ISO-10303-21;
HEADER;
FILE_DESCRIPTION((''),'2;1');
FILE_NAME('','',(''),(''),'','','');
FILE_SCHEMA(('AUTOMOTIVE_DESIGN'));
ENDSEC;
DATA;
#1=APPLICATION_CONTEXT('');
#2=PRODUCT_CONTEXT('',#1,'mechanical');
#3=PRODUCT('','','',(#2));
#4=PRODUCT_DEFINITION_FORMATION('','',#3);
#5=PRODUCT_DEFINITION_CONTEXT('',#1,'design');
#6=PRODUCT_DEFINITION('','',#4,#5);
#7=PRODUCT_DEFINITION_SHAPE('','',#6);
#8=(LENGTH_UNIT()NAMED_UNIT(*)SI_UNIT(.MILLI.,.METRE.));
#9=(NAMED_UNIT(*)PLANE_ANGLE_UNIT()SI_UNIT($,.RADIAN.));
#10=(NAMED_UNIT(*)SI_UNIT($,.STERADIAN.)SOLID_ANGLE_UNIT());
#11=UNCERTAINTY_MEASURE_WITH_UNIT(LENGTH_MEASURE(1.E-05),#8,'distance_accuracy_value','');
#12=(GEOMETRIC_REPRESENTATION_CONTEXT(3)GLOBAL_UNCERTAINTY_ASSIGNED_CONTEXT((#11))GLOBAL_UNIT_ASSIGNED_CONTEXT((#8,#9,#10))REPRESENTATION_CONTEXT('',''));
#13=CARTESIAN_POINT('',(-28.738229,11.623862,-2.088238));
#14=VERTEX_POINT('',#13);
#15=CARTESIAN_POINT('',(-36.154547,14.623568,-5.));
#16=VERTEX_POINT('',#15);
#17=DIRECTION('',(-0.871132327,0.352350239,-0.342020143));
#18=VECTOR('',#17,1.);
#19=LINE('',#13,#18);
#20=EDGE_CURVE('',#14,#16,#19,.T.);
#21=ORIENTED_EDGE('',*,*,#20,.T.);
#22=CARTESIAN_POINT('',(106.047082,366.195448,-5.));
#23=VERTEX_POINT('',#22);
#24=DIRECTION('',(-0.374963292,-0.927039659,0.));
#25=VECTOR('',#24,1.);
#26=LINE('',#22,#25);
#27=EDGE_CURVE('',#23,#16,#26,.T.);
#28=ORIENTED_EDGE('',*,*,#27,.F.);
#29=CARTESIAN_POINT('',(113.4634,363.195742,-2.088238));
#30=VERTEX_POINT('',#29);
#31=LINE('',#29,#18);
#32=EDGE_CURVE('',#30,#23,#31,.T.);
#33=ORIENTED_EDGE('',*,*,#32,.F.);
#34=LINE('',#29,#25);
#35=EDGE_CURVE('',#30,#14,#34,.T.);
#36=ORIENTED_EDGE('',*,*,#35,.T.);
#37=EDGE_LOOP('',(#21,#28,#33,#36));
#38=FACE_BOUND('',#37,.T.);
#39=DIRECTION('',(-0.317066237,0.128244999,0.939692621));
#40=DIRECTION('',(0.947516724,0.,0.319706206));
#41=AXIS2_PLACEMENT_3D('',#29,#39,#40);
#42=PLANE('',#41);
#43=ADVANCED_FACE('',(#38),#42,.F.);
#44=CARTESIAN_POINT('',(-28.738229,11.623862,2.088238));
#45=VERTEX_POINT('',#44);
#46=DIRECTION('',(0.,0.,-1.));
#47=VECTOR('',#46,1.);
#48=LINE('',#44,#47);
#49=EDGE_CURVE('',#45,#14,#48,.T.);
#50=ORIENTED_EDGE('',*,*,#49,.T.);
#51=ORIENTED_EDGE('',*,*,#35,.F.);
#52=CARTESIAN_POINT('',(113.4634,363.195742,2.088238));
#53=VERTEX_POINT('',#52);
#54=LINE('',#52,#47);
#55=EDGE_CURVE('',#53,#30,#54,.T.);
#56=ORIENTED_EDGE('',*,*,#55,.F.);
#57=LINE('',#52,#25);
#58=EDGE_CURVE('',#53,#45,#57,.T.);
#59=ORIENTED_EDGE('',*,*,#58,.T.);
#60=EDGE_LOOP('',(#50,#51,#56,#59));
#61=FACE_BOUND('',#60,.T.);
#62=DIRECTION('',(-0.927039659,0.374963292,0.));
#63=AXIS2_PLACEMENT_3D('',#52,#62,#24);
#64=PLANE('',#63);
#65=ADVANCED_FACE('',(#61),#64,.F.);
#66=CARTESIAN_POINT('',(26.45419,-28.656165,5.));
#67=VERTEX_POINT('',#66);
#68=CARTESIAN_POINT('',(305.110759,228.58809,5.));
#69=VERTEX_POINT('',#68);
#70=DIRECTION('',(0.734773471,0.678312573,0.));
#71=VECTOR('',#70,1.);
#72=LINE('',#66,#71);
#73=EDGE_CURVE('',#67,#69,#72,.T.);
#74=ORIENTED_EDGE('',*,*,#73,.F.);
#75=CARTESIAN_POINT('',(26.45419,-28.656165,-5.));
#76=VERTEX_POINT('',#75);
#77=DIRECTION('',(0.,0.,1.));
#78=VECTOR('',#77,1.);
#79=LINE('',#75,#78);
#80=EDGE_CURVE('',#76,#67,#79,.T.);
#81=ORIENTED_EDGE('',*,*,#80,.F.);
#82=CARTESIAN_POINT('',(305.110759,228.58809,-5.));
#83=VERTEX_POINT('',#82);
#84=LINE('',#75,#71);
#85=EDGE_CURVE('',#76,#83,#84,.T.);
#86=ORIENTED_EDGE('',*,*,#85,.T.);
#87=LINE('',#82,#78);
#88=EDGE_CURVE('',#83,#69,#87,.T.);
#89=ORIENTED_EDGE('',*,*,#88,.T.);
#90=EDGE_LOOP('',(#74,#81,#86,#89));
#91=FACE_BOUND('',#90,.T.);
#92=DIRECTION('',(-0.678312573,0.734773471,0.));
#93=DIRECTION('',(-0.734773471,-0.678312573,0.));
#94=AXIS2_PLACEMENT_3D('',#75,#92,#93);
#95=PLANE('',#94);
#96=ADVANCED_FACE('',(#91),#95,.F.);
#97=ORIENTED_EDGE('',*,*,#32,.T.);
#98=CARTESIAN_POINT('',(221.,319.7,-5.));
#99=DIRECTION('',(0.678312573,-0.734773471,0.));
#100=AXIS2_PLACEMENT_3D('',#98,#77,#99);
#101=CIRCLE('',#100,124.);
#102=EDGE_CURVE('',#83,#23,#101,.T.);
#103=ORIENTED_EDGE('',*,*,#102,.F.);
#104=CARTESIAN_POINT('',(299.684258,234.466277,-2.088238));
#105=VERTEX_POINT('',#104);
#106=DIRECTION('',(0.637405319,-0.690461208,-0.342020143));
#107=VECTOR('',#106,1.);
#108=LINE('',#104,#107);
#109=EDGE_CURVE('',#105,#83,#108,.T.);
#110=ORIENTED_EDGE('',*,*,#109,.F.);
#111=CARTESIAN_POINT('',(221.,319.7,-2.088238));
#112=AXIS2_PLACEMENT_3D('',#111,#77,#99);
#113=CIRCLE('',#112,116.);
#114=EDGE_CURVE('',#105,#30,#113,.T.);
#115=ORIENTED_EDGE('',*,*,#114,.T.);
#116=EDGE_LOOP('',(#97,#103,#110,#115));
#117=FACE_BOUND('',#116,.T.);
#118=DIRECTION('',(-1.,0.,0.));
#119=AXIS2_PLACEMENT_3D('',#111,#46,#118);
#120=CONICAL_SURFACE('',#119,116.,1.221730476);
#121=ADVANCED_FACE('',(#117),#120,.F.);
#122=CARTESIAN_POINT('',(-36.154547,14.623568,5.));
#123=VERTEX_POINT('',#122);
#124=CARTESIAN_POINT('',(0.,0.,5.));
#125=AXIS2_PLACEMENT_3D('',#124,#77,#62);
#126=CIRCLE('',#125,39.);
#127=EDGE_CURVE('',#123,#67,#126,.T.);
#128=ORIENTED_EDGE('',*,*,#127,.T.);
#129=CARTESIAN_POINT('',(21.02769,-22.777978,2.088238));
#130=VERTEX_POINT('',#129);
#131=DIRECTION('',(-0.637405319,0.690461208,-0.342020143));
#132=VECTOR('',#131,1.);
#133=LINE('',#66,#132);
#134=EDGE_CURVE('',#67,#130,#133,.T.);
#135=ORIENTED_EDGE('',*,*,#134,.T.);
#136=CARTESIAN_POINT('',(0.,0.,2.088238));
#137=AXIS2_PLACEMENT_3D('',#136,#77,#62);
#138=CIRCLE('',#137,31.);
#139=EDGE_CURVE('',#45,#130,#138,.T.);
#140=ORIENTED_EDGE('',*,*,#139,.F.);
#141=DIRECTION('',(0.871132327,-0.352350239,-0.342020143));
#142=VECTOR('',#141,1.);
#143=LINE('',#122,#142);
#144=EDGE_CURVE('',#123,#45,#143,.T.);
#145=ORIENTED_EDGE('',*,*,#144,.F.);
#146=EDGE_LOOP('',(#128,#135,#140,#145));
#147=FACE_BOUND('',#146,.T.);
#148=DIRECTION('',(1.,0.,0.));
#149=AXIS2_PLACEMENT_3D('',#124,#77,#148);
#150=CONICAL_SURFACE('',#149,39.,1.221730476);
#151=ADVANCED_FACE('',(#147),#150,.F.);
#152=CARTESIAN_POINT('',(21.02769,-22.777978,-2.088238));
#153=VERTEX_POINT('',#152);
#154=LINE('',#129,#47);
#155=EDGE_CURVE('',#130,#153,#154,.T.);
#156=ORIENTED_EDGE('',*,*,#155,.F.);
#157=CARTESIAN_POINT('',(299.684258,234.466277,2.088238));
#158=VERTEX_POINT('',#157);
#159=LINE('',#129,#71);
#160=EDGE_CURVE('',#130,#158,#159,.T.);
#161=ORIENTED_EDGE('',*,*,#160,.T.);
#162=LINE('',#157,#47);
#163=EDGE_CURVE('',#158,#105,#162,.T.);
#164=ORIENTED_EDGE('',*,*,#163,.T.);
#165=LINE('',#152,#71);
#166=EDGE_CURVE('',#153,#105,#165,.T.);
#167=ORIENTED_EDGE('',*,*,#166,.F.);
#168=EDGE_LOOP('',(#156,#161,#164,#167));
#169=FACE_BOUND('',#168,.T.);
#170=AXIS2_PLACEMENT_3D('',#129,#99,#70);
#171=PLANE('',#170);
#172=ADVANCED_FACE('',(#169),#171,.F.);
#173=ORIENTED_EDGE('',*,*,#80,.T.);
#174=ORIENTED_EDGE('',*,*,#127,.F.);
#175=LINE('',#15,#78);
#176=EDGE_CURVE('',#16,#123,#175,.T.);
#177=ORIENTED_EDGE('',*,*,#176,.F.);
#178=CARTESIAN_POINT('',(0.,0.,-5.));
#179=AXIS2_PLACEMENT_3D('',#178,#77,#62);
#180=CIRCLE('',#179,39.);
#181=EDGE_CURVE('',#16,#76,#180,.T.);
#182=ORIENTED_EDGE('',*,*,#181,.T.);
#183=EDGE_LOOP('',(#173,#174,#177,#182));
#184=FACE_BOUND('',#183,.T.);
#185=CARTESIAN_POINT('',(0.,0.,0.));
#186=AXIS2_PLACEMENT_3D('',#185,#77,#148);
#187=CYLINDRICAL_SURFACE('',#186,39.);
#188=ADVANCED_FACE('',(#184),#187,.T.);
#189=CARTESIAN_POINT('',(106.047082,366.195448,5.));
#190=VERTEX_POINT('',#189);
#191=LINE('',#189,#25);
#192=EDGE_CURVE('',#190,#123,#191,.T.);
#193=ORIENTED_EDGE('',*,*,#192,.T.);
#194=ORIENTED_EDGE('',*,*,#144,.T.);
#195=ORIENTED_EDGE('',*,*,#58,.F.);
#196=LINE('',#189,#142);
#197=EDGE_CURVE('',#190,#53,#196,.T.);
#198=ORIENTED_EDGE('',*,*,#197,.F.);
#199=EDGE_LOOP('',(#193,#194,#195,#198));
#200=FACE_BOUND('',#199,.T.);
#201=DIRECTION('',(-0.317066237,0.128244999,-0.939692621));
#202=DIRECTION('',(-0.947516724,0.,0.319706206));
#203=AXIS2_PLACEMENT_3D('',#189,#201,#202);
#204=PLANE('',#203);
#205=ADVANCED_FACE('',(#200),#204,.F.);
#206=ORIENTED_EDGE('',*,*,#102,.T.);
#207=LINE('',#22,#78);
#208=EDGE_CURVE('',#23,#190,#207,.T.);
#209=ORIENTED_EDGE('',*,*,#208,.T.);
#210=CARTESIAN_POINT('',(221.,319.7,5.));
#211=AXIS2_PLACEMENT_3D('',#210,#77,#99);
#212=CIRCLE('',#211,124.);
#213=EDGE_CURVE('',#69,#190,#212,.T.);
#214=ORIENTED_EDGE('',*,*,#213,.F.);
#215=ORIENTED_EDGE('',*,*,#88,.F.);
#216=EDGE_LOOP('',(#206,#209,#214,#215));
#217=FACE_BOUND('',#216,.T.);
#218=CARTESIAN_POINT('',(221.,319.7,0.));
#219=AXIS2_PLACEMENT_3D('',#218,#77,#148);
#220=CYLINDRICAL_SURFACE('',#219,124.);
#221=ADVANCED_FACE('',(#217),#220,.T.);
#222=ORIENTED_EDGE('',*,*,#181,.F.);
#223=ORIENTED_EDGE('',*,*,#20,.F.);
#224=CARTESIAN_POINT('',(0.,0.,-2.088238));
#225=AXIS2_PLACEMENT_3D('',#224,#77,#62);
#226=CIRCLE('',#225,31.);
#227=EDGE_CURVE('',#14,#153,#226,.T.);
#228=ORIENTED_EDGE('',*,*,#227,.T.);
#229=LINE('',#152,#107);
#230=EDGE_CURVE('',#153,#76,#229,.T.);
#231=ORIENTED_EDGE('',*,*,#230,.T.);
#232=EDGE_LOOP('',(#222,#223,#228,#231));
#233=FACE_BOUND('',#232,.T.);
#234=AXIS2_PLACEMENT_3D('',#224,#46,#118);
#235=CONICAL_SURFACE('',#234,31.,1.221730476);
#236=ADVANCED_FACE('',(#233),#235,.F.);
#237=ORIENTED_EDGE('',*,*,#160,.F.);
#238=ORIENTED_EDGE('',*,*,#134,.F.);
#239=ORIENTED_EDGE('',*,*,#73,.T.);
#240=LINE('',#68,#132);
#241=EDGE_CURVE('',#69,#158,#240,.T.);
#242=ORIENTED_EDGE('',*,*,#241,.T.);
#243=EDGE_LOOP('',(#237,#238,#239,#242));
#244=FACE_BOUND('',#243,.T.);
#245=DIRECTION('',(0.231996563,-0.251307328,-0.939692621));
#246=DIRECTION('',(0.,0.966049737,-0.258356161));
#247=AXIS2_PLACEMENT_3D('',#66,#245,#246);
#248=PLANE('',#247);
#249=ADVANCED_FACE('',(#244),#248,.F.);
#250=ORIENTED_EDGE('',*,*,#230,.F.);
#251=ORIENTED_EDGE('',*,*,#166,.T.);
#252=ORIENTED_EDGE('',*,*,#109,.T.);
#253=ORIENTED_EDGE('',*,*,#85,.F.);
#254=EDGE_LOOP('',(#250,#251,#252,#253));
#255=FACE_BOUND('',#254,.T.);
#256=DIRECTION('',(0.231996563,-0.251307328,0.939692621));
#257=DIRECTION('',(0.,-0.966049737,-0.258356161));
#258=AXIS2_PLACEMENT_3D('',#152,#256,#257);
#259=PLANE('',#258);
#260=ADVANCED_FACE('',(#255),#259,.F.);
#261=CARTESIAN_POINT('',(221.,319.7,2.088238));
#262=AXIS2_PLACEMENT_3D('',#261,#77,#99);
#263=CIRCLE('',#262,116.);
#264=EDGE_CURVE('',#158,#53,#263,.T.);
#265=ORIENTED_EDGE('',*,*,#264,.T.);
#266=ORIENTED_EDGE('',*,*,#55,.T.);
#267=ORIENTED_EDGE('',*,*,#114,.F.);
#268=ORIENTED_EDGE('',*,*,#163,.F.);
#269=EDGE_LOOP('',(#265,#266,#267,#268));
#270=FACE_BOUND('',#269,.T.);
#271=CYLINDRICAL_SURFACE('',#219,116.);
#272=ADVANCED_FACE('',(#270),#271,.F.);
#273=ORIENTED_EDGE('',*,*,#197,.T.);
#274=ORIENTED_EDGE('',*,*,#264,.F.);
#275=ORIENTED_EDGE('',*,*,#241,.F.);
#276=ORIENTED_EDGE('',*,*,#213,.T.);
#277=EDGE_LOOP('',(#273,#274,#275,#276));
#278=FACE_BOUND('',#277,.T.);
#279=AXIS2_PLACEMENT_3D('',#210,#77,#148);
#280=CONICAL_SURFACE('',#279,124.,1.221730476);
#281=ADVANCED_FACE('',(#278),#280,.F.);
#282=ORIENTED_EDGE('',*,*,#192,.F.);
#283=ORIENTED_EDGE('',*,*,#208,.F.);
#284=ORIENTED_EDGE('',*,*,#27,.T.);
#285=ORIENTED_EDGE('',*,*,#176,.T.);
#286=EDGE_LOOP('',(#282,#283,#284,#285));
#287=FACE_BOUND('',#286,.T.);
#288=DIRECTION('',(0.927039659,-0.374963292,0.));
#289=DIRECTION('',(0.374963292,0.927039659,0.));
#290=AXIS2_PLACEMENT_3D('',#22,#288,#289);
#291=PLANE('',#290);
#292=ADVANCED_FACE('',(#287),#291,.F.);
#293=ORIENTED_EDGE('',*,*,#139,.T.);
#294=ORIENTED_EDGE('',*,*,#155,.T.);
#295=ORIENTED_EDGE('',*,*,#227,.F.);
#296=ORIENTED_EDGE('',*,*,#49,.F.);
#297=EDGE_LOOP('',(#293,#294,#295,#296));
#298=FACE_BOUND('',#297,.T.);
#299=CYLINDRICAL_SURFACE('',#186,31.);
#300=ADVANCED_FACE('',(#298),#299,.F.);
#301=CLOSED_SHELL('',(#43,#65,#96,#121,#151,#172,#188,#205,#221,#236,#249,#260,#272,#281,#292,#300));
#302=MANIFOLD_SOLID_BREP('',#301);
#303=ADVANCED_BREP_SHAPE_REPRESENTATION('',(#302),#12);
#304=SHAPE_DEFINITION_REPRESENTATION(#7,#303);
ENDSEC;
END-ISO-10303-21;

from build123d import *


with BuildPart() as part:
    # Sweep1: sweep along a path in Sketch2
    with BuildLine(Plane.XY) as sweep1_path:
        Line((-27.811189769, 11.248898774), (114.390439191, 362.820778649))
        ThreePointArc((114.390439191, 362.820778649), (286.392969207, 414.297883579), (299.005945866, 235.201050878))
        Line((299.005945866, 235.201050878), (20.349377189, -22.043204123))
        ThreePointArc((20.349377189, -22.043204123), (-17.059035453, -24.677708756), (-27.811189769, 11.248898774))
    # Sketch3 → Sweep1 (sweep)
    with BuildSketch(Plane(origin=(-27.811189769, 11.248898774, 0), x_dir=(0.927039658969431, -0.37496329246719756, 0), z_dir=(0.37496329246719756, 0.927039658969431, 0))):
        Polygon((-1, -2.088238126), (-1, 2.088238126), (-9, 5), (-9, -5), align=None)
    sweep(path=sweep1_path.line)


solid = part.part
